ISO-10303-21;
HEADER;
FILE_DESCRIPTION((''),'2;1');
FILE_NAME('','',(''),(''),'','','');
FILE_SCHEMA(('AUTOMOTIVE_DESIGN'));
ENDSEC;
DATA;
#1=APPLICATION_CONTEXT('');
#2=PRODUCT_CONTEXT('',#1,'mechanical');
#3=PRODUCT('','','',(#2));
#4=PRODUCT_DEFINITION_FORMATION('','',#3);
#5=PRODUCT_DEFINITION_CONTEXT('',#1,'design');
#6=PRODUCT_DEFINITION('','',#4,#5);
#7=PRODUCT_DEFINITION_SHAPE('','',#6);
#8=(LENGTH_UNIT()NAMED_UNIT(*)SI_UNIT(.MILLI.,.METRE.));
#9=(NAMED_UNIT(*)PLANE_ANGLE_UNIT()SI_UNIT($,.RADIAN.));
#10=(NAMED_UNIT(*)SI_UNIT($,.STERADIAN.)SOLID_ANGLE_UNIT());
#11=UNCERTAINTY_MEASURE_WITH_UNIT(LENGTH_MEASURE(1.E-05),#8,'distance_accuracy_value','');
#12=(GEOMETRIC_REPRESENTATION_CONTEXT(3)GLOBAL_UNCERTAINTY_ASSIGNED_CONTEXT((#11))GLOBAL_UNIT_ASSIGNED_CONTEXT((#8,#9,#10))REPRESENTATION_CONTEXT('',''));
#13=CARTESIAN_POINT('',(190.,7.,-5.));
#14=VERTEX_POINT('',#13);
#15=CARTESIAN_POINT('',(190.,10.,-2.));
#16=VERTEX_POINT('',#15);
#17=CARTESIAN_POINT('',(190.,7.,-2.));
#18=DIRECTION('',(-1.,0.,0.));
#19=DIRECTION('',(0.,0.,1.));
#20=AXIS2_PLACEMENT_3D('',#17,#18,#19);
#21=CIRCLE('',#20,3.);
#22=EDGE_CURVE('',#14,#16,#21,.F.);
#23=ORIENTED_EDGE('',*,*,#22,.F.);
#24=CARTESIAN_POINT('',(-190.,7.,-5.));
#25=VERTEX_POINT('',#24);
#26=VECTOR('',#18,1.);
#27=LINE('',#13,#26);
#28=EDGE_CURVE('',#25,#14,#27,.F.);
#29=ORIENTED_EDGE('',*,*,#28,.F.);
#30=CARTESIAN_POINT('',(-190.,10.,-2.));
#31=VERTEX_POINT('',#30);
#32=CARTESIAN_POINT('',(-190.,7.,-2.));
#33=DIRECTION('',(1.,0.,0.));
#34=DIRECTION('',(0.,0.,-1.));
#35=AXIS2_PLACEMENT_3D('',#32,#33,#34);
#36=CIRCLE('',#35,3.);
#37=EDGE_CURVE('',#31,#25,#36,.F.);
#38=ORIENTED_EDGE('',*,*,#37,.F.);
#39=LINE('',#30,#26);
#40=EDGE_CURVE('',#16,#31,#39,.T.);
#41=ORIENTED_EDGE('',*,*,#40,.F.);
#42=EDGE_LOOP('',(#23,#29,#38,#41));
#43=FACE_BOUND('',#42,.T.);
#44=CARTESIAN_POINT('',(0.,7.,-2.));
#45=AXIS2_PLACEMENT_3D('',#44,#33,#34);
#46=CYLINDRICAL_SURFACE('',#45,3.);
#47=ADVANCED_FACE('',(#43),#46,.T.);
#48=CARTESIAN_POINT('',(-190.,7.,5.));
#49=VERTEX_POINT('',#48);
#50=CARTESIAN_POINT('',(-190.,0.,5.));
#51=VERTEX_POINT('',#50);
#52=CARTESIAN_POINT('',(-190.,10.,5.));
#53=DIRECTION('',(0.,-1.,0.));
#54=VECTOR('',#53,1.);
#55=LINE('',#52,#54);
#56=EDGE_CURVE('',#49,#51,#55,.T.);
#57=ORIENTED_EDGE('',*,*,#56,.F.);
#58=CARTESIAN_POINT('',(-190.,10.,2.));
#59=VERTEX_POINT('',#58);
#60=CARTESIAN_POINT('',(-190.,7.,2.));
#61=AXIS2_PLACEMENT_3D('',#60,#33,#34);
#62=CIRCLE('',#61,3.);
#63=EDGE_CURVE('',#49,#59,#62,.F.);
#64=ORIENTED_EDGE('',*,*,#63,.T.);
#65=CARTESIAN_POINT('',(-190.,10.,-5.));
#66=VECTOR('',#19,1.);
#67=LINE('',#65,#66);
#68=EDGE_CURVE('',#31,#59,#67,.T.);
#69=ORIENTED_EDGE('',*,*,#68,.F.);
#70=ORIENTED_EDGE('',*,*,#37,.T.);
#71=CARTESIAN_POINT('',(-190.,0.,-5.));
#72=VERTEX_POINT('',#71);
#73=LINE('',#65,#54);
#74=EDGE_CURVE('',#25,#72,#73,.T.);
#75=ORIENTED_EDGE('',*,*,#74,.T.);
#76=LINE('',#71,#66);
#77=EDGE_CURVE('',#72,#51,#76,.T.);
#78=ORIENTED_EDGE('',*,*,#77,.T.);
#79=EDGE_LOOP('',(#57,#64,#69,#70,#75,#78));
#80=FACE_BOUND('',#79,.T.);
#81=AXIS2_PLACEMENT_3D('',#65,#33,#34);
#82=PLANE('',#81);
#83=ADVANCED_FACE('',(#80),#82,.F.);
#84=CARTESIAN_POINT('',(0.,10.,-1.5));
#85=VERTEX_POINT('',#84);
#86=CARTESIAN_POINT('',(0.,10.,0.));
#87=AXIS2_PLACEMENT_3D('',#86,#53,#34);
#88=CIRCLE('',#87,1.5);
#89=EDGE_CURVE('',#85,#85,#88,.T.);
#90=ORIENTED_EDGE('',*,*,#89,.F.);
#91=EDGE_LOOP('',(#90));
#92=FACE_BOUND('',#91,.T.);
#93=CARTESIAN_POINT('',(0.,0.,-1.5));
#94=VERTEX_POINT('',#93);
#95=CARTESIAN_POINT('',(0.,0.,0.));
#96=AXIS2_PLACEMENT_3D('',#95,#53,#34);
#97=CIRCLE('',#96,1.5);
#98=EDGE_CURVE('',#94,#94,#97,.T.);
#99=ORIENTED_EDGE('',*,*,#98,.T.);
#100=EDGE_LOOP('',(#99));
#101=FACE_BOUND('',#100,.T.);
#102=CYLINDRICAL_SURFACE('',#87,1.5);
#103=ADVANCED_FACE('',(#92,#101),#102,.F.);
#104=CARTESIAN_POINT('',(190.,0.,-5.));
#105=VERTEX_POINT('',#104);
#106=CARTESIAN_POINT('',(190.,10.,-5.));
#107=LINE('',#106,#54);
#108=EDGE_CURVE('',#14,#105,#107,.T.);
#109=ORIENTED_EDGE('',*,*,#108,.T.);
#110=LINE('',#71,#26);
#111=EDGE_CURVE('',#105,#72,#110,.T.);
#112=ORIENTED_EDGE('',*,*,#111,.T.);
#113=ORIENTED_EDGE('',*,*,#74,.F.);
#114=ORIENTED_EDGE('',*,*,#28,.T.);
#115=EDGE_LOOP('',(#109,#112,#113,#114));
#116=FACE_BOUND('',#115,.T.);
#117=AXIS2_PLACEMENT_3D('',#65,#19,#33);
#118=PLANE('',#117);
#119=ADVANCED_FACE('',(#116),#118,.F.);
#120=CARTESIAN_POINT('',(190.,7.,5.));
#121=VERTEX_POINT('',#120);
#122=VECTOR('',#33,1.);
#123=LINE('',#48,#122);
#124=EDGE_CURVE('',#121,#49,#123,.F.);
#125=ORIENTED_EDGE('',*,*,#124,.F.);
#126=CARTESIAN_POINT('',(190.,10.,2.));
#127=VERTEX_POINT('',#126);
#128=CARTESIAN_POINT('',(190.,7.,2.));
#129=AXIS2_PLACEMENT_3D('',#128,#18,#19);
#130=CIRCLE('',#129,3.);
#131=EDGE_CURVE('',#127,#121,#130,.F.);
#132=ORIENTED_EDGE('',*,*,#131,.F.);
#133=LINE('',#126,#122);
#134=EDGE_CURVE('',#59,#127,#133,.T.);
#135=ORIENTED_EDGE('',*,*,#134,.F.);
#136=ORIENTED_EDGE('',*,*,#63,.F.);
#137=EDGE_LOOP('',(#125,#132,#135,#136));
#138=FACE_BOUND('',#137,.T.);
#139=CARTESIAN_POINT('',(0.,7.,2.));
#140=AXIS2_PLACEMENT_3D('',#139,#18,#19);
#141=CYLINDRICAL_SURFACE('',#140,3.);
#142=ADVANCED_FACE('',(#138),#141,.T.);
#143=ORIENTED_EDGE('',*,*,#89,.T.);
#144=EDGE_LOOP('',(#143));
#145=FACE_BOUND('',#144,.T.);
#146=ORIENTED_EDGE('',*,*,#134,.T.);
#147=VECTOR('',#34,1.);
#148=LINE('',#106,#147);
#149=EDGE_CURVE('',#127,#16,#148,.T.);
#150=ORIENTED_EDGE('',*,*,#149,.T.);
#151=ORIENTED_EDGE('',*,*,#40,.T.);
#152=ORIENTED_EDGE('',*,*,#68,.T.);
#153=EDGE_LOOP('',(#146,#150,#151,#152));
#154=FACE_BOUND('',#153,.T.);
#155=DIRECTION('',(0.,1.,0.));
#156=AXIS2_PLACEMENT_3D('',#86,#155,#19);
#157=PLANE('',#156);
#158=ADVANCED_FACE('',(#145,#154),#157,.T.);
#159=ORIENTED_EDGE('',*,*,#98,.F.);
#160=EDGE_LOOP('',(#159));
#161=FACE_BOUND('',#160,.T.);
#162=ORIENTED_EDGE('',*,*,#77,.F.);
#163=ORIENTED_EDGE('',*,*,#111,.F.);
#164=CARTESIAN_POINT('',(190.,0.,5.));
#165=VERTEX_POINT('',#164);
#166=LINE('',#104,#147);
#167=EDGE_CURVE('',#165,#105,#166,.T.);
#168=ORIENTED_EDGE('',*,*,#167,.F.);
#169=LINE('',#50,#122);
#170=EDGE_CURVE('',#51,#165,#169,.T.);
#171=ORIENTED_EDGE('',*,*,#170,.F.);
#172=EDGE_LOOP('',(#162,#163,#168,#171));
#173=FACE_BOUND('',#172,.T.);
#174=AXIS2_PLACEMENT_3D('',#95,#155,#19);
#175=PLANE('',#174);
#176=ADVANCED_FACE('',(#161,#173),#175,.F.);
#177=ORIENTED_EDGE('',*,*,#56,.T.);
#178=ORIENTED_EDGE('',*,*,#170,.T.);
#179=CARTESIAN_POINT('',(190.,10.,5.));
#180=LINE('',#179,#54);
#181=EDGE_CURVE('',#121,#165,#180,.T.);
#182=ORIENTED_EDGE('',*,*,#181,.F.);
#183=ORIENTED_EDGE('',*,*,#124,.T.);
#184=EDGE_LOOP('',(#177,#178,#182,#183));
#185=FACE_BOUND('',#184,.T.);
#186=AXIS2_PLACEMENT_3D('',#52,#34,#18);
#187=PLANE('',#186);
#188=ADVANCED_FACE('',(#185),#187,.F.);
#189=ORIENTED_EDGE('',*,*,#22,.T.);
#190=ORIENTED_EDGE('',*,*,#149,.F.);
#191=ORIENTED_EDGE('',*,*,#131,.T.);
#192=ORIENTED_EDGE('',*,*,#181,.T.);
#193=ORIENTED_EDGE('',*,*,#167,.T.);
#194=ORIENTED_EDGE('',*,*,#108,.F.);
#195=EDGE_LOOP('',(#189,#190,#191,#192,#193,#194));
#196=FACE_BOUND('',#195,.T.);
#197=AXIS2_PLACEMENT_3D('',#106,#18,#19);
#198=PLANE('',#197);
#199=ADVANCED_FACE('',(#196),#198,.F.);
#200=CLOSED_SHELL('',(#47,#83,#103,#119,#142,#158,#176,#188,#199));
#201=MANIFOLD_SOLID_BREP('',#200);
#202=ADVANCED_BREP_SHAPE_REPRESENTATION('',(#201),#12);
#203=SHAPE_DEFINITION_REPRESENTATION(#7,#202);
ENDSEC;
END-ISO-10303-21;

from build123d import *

# Parameters (mm, degrees)
SKETCH1_W           = 380
SKETCH1_H           = 10
BOSS_EXTRUDE1_DEPTH = 10
FILLET1_R           = 3
SKETCH2_R           = 1.5
CUT_EXTRUDE1_DEPTH  = 10


with BuildPart() as part:
    # Sketch1 → Boss-Extrude1 (new body)
    with BuildSketch(Plane(origin=(0, 0, 0), x_dir=(1, 0, 0), z_dir=(0, 1, 0))):
        Rectangle(SKETCH1_W, SKETCH1_H)
    extrude(amount=BOSS_EXTRUDE1_DEPTH)

    # Fillet1
    fillet1_edges = [part.edges().sort_by_distance(p)[0] for p in [
        (0, 10, 5),
        (0, 10, -5),
    ]]
    fillet(fillet1_edges, radius=FILLET1_R)

    # Sketch2 → Cut-Extrude1 (cut)
    with BuildSketch(Plane.XZ):
        Circle(SKETCH2_R)
    extrude(amount=-CUT_EXTRUDE1_DEPTH, mode=Mode.SUBTRACT)


solid = part.part
